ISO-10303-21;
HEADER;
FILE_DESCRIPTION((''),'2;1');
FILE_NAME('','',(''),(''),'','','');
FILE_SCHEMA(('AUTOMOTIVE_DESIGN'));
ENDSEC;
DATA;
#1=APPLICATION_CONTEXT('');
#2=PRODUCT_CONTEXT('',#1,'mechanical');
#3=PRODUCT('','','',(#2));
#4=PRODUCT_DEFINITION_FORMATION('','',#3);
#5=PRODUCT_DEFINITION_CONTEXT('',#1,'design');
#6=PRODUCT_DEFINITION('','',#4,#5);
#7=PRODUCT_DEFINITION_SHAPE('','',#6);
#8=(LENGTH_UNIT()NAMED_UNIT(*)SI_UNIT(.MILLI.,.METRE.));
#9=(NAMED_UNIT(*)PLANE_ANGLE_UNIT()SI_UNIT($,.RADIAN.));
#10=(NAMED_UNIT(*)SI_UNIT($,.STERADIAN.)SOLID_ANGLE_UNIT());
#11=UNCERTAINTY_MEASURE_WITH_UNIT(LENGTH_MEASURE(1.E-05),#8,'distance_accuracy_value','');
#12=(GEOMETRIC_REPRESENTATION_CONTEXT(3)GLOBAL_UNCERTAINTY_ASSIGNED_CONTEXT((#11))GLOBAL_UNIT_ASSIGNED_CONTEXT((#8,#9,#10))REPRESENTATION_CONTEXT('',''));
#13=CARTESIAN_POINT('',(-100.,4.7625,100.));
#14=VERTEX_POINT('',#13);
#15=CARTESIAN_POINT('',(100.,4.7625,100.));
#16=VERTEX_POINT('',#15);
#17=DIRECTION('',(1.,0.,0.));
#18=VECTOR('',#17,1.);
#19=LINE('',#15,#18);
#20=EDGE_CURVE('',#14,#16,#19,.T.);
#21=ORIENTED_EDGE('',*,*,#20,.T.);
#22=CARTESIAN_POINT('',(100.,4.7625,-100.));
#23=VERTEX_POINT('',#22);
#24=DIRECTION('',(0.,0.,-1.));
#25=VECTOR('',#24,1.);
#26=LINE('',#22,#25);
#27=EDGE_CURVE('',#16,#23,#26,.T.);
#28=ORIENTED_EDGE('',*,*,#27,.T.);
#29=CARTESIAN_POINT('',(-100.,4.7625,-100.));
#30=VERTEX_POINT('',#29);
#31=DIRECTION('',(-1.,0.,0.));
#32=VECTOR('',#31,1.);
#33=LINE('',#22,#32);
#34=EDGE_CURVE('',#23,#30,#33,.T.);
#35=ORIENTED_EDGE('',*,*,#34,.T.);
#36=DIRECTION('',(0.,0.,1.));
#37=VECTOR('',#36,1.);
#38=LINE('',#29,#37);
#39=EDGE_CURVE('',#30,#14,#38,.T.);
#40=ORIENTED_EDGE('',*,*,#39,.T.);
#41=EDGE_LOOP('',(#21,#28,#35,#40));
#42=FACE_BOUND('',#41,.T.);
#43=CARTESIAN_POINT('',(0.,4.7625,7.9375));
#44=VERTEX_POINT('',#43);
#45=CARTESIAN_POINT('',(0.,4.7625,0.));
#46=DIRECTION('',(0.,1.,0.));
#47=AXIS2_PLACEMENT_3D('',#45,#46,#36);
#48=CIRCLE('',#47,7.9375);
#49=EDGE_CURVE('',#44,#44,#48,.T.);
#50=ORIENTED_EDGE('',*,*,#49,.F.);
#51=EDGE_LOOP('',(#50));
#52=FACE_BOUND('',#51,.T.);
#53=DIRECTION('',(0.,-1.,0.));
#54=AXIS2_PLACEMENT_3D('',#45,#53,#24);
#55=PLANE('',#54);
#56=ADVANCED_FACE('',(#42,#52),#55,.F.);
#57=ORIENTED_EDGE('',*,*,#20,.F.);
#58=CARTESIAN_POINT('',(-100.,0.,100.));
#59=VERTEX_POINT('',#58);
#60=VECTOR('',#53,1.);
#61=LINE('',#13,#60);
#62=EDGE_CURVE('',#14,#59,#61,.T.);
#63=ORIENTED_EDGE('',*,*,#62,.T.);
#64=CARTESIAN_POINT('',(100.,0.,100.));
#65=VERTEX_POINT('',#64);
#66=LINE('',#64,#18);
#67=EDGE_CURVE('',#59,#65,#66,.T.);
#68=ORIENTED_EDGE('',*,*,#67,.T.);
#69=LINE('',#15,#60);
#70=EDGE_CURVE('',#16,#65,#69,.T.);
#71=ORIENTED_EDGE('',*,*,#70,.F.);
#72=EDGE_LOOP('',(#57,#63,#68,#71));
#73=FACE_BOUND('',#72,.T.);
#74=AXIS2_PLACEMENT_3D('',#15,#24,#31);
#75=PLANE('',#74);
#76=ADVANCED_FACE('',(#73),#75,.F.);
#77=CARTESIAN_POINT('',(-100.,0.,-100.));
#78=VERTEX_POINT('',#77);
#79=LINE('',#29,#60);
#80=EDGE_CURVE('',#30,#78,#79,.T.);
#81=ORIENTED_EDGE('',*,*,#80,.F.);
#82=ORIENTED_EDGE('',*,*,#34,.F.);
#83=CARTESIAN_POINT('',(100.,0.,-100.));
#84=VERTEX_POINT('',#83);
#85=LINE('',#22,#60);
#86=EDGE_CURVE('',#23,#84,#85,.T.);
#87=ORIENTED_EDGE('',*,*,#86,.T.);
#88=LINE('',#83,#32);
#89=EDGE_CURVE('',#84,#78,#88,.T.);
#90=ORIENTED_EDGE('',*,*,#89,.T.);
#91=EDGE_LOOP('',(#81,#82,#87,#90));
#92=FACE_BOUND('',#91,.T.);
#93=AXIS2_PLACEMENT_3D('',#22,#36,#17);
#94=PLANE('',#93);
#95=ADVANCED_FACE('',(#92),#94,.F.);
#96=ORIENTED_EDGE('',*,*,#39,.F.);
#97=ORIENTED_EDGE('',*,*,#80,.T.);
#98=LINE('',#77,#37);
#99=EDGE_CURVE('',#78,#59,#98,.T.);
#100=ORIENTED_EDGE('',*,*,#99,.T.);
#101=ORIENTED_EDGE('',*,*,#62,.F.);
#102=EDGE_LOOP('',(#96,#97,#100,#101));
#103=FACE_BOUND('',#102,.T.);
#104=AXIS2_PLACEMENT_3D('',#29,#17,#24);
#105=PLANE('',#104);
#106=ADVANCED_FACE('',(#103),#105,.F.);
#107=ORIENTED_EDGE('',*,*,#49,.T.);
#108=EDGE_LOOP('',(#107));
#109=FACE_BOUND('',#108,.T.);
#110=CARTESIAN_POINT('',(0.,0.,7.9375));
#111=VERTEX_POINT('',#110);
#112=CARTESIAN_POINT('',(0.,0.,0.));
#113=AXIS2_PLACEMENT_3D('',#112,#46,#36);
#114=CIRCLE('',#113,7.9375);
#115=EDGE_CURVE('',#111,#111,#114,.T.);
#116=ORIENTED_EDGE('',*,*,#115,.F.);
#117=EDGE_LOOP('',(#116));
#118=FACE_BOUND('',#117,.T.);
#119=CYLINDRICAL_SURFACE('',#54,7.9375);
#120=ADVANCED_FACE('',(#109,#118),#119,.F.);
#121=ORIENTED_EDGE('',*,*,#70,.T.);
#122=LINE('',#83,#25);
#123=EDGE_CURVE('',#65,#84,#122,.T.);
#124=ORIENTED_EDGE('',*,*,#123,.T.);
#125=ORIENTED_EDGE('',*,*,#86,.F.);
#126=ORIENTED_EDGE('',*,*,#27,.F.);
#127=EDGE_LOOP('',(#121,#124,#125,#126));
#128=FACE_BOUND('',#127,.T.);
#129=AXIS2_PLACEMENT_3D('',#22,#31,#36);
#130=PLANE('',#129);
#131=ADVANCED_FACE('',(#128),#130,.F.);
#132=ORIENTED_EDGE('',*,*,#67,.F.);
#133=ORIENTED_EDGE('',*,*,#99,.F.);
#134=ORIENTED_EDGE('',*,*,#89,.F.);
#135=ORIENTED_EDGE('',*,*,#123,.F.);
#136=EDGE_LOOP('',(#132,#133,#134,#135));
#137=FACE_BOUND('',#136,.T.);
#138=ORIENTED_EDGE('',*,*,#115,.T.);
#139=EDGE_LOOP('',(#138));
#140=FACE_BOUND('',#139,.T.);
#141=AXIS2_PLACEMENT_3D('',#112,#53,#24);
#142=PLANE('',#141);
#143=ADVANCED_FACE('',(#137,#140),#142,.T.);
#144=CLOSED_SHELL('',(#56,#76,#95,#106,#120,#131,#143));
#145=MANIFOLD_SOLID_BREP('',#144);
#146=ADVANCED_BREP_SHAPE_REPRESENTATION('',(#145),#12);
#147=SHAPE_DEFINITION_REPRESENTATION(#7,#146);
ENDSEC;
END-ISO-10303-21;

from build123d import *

# Parameters (mm, degrees)
SKETCH1_W           = 200
SKETCH1_H           = 200
SKETCH1_R           = 7.9375
BOSS_EXTRUDE1_DEPTH = 4.7625


with BuildPart() as part:
    # Sketch1 → Boss-Extrude1 (new body)
    with BuildSketch(Plane(origin=(0, 0, 0), x_dir=(1, 0, 0), z_dir=(0, 1, 0))):
        Rectangle(SKETCH1_W, SKETCH1_H)
        Circle(SKETCH1_R, mode=Mode.SUBTRACT)
    extrude(amount=BOSS_EXTRUDE1_DEPTH)


solid = part.part
